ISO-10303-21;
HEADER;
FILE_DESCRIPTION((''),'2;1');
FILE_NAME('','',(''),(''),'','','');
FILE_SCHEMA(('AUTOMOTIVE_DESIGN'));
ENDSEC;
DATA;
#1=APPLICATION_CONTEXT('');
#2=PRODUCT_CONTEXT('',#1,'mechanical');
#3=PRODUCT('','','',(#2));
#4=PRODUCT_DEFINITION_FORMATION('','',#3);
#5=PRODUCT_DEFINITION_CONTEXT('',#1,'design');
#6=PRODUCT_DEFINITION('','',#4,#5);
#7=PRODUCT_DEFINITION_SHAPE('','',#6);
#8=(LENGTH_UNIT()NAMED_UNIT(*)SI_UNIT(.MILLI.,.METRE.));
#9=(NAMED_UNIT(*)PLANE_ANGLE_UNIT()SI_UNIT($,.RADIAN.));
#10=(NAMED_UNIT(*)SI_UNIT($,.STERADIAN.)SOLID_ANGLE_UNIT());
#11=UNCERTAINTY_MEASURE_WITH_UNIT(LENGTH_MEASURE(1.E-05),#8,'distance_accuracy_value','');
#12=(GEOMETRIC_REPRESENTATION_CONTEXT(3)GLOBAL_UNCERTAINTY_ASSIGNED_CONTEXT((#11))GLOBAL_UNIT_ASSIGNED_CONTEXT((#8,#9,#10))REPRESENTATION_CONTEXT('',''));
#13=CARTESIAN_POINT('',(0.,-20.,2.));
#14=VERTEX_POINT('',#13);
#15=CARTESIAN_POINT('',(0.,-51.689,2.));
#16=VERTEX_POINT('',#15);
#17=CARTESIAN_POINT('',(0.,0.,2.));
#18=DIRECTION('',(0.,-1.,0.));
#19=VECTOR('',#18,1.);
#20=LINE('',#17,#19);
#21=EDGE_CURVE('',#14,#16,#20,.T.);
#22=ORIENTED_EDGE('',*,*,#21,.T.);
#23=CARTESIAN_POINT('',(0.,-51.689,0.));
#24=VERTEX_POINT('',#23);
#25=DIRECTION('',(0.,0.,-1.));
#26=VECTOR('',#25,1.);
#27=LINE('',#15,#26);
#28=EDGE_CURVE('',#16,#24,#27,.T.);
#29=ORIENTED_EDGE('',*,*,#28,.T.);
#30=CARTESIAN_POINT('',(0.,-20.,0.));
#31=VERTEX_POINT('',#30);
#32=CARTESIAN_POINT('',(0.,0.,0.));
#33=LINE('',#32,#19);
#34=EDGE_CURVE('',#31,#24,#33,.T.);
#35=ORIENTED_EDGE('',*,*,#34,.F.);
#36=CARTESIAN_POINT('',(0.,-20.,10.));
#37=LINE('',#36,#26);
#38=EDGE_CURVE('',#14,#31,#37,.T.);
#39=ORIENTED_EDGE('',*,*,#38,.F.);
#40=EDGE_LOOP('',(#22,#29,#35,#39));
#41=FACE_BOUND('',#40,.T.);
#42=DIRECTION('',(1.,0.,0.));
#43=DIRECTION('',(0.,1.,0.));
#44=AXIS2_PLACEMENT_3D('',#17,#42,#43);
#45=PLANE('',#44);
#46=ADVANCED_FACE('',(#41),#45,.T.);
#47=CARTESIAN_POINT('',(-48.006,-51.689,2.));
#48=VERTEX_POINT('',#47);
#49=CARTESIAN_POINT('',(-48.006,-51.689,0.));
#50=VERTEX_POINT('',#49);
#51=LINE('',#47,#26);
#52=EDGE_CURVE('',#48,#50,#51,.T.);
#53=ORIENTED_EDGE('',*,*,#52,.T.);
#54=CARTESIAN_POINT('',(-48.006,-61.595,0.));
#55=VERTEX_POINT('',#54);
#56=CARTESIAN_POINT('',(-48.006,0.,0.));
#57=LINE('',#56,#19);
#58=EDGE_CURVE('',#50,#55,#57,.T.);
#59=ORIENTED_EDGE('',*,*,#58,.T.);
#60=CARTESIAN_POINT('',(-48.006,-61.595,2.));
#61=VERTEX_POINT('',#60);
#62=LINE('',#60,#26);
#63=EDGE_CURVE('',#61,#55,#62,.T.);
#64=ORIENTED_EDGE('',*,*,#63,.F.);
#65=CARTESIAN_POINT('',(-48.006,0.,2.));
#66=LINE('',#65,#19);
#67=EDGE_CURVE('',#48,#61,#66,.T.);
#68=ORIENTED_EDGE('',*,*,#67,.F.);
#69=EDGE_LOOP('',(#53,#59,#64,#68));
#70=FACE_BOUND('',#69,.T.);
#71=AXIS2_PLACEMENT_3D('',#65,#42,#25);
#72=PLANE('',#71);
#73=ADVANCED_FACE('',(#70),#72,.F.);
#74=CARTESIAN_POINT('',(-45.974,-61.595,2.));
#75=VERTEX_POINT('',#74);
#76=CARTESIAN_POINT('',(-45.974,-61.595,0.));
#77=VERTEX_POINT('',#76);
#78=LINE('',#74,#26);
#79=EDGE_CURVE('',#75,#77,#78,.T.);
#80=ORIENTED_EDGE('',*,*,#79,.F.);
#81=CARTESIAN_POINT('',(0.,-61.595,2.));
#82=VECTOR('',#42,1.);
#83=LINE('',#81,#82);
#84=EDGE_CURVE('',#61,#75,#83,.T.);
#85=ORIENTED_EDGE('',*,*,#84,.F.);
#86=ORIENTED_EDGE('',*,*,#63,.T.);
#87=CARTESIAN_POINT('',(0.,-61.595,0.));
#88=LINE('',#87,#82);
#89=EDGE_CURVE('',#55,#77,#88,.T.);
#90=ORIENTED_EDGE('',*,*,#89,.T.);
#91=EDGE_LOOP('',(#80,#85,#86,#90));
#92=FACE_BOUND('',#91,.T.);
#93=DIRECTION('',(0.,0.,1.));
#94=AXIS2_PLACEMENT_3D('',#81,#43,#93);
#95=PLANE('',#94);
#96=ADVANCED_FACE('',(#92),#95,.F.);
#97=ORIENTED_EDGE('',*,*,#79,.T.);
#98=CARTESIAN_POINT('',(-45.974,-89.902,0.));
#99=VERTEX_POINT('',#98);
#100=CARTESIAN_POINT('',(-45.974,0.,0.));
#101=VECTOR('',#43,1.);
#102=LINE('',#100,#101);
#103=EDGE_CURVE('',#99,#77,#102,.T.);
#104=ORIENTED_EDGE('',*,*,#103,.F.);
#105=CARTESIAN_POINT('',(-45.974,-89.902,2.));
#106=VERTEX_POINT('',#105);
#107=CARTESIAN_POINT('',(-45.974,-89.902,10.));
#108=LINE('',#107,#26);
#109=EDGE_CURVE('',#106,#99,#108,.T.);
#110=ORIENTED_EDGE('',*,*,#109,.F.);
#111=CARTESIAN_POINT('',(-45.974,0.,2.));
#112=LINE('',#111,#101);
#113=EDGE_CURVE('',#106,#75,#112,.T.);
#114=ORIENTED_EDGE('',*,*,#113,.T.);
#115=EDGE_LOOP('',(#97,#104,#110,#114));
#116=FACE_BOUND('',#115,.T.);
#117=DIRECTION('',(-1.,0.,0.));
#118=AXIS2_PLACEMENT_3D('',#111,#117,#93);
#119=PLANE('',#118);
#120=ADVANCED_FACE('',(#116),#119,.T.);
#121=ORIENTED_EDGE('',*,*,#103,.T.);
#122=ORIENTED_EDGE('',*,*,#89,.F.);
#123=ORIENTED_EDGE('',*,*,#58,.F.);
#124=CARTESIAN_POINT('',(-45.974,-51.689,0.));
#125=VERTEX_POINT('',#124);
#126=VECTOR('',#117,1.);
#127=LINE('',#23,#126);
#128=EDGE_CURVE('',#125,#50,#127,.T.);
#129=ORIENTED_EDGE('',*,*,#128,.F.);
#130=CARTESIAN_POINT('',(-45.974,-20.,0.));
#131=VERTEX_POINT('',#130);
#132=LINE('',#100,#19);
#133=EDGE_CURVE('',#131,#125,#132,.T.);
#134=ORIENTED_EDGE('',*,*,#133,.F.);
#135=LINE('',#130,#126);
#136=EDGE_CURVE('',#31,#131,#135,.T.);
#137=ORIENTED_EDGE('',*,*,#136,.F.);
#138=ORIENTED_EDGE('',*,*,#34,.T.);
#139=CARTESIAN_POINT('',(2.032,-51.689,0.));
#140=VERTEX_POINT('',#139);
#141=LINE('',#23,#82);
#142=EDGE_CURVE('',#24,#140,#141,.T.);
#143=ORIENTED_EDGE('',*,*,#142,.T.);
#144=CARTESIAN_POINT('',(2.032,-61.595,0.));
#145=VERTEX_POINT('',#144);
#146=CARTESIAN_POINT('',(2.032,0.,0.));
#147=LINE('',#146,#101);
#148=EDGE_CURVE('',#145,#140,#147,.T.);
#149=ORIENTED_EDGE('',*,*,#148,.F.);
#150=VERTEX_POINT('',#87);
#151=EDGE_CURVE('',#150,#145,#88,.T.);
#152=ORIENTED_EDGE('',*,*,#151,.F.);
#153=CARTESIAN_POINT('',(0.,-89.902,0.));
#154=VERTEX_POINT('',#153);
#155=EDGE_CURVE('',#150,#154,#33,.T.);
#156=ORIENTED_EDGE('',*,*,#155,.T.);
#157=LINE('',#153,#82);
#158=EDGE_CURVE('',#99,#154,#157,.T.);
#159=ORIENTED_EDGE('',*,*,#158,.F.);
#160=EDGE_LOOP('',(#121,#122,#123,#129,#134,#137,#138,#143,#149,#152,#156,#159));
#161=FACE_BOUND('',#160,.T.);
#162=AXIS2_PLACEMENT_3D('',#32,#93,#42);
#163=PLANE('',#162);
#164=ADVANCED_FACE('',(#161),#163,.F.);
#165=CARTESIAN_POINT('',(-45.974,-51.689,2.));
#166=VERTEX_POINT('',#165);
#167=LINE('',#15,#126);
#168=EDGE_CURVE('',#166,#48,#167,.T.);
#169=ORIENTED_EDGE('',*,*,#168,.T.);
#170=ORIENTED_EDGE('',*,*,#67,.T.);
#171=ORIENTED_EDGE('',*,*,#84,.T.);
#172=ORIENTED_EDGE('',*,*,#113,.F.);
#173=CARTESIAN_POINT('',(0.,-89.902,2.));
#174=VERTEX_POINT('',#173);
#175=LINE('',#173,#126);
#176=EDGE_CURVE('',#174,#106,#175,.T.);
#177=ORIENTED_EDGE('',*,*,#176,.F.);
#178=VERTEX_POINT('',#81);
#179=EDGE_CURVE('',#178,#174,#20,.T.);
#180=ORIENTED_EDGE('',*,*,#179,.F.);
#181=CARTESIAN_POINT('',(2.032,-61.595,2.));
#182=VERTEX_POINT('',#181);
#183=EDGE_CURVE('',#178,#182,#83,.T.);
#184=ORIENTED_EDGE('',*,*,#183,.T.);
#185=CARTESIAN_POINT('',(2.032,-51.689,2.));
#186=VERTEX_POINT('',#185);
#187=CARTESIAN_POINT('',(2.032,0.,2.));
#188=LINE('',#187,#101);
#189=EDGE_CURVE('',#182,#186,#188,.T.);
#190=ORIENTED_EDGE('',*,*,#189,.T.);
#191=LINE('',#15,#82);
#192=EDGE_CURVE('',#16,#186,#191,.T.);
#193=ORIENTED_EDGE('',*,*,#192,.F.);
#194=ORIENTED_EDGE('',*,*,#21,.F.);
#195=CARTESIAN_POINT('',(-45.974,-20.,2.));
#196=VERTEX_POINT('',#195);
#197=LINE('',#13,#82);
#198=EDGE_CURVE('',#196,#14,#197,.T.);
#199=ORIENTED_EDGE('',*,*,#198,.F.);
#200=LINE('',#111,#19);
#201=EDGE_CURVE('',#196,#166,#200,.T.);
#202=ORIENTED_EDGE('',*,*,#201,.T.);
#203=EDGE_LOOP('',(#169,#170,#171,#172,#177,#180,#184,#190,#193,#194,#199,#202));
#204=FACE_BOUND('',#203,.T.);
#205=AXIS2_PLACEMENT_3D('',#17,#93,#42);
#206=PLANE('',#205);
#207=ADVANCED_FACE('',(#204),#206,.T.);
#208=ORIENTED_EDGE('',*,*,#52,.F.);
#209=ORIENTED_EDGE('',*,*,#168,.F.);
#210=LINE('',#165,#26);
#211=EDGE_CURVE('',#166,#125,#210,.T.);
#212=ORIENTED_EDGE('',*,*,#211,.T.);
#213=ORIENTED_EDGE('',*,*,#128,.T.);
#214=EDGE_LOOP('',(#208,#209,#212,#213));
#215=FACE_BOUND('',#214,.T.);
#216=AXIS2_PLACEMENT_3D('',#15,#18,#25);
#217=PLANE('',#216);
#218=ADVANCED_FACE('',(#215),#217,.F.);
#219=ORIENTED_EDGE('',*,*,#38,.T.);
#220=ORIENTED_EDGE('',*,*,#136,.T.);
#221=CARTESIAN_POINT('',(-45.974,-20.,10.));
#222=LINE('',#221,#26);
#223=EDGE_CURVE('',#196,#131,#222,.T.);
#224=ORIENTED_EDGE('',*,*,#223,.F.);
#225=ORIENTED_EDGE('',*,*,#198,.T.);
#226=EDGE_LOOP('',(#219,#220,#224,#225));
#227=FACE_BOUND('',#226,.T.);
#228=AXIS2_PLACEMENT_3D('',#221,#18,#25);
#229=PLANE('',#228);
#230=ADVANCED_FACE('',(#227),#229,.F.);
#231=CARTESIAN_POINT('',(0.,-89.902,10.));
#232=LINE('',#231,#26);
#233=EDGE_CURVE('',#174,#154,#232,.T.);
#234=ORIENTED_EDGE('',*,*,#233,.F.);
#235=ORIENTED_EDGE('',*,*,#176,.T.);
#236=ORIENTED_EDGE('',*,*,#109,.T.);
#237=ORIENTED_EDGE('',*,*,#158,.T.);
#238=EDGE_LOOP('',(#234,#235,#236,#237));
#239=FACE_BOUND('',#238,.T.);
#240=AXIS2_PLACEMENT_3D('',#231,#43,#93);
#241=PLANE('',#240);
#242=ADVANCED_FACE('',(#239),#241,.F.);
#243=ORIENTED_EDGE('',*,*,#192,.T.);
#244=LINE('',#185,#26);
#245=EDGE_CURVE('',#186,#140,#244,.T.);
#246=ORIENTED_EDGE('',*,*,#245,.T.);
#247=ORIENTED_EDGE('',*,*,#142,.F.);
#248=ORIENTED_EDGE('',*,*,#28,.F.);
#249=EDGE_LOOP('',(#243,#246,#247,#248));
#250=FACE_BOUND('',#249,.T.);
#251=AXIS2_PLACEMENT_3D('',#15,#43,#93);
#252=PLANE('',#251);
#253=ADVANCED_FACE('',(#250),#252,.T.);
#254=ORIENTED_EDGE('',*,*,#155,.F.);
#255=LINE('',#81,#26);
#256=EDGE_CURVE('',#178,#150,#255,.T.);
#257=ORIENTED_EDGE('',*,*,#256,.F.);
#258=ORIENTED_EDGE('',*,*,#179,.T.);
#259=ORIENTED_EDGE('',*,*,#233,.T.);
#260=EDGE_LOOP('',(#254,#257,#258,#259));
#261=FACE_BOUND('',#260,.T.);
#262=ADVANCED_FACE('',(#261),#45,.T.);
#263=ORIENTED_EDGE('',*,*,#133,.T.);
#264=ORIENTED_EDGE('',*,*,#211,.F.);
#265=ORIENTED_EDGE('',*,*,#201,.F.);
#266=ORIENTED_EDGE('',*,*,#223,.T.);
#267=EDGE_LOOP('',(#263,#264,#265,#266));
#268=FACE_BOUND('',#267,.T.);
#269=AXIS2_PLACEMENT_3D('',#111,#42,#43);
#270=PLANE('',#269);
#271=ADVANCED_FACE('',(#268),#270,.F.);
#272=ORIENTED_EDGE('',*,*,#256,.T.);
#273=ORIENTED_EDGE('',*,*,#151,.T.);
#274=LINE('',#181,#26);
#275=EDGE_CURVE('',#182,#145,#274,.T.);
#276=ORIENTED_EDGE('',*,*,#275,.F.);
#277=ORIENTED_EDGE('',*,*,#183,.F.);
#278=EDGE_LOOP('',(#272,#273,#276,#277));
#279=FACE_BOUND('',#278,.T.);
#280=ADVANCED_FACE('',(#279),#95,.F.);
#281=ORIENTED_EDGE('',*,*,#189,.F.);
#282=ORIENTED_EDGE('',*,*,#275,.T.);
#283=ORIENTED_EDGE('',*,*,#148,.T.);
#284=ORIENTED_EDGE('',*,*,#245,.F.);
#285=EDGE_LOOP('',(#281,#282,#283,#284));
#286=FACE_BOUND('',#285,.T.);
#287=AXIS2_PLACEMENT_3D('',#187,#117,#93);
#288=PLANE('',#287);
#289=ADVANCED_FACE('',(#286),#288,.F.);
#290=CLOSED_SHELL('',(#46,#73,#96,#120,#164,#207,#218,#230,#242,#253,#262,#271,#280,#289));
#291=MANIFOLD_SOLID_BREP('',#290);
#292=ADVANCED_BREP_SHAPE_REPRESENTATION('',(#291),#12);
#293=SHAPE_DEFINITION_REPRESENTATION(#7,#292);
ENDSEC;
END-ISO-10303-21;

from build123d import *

# Parameters (mm, degrees)
EXTRUDE_1_DEPTH     = 2
SKETCH_2_W          = 45.974
SKETCH_2_H          = 20
SKETCH_2_H_2        = 15
CUT_EXTRUDE_1_DEPTH = 10


with BuildPart() as part:
    # Эскиз1 → Бобышка-Вытянуть1 (new body)
    with BuildSketch(Plane.XY):
        Polygon((0, -61.595), (0, -104.902), (-45.974, -104.902), (-45.974, -61.595), (-48.006, -61.595), (-48.006, -51.689), (-45.974, -51.689), (-45.974, 0), (0, 0), (0, -51.689), (2.032, -51.689), (2.032, -61.595), align=None)
    extrude(amount=EXTRUDE_1_DEPTH)

    # Эскиз2 → Вырез-Вытянуть1 (cut)
    with BuildSketch(Plane(origin=(0, 0, 0), x_dir=(-1, 0, 0), z_dir=(0, 0, -1))):
        with Locations((22.987, -10)):
            Rectangle(SKETCH_2_W, SKETCH_2_H)
        with Locations((22.987, -97.402)):
            Rectangle(SKETCH_2_W, SKETCH_2_H_2)
    extrude(amount=-CUT_EXTRUDE_1_DEPTH, mode=Mode.SUBTRACT)


solid = part.part
